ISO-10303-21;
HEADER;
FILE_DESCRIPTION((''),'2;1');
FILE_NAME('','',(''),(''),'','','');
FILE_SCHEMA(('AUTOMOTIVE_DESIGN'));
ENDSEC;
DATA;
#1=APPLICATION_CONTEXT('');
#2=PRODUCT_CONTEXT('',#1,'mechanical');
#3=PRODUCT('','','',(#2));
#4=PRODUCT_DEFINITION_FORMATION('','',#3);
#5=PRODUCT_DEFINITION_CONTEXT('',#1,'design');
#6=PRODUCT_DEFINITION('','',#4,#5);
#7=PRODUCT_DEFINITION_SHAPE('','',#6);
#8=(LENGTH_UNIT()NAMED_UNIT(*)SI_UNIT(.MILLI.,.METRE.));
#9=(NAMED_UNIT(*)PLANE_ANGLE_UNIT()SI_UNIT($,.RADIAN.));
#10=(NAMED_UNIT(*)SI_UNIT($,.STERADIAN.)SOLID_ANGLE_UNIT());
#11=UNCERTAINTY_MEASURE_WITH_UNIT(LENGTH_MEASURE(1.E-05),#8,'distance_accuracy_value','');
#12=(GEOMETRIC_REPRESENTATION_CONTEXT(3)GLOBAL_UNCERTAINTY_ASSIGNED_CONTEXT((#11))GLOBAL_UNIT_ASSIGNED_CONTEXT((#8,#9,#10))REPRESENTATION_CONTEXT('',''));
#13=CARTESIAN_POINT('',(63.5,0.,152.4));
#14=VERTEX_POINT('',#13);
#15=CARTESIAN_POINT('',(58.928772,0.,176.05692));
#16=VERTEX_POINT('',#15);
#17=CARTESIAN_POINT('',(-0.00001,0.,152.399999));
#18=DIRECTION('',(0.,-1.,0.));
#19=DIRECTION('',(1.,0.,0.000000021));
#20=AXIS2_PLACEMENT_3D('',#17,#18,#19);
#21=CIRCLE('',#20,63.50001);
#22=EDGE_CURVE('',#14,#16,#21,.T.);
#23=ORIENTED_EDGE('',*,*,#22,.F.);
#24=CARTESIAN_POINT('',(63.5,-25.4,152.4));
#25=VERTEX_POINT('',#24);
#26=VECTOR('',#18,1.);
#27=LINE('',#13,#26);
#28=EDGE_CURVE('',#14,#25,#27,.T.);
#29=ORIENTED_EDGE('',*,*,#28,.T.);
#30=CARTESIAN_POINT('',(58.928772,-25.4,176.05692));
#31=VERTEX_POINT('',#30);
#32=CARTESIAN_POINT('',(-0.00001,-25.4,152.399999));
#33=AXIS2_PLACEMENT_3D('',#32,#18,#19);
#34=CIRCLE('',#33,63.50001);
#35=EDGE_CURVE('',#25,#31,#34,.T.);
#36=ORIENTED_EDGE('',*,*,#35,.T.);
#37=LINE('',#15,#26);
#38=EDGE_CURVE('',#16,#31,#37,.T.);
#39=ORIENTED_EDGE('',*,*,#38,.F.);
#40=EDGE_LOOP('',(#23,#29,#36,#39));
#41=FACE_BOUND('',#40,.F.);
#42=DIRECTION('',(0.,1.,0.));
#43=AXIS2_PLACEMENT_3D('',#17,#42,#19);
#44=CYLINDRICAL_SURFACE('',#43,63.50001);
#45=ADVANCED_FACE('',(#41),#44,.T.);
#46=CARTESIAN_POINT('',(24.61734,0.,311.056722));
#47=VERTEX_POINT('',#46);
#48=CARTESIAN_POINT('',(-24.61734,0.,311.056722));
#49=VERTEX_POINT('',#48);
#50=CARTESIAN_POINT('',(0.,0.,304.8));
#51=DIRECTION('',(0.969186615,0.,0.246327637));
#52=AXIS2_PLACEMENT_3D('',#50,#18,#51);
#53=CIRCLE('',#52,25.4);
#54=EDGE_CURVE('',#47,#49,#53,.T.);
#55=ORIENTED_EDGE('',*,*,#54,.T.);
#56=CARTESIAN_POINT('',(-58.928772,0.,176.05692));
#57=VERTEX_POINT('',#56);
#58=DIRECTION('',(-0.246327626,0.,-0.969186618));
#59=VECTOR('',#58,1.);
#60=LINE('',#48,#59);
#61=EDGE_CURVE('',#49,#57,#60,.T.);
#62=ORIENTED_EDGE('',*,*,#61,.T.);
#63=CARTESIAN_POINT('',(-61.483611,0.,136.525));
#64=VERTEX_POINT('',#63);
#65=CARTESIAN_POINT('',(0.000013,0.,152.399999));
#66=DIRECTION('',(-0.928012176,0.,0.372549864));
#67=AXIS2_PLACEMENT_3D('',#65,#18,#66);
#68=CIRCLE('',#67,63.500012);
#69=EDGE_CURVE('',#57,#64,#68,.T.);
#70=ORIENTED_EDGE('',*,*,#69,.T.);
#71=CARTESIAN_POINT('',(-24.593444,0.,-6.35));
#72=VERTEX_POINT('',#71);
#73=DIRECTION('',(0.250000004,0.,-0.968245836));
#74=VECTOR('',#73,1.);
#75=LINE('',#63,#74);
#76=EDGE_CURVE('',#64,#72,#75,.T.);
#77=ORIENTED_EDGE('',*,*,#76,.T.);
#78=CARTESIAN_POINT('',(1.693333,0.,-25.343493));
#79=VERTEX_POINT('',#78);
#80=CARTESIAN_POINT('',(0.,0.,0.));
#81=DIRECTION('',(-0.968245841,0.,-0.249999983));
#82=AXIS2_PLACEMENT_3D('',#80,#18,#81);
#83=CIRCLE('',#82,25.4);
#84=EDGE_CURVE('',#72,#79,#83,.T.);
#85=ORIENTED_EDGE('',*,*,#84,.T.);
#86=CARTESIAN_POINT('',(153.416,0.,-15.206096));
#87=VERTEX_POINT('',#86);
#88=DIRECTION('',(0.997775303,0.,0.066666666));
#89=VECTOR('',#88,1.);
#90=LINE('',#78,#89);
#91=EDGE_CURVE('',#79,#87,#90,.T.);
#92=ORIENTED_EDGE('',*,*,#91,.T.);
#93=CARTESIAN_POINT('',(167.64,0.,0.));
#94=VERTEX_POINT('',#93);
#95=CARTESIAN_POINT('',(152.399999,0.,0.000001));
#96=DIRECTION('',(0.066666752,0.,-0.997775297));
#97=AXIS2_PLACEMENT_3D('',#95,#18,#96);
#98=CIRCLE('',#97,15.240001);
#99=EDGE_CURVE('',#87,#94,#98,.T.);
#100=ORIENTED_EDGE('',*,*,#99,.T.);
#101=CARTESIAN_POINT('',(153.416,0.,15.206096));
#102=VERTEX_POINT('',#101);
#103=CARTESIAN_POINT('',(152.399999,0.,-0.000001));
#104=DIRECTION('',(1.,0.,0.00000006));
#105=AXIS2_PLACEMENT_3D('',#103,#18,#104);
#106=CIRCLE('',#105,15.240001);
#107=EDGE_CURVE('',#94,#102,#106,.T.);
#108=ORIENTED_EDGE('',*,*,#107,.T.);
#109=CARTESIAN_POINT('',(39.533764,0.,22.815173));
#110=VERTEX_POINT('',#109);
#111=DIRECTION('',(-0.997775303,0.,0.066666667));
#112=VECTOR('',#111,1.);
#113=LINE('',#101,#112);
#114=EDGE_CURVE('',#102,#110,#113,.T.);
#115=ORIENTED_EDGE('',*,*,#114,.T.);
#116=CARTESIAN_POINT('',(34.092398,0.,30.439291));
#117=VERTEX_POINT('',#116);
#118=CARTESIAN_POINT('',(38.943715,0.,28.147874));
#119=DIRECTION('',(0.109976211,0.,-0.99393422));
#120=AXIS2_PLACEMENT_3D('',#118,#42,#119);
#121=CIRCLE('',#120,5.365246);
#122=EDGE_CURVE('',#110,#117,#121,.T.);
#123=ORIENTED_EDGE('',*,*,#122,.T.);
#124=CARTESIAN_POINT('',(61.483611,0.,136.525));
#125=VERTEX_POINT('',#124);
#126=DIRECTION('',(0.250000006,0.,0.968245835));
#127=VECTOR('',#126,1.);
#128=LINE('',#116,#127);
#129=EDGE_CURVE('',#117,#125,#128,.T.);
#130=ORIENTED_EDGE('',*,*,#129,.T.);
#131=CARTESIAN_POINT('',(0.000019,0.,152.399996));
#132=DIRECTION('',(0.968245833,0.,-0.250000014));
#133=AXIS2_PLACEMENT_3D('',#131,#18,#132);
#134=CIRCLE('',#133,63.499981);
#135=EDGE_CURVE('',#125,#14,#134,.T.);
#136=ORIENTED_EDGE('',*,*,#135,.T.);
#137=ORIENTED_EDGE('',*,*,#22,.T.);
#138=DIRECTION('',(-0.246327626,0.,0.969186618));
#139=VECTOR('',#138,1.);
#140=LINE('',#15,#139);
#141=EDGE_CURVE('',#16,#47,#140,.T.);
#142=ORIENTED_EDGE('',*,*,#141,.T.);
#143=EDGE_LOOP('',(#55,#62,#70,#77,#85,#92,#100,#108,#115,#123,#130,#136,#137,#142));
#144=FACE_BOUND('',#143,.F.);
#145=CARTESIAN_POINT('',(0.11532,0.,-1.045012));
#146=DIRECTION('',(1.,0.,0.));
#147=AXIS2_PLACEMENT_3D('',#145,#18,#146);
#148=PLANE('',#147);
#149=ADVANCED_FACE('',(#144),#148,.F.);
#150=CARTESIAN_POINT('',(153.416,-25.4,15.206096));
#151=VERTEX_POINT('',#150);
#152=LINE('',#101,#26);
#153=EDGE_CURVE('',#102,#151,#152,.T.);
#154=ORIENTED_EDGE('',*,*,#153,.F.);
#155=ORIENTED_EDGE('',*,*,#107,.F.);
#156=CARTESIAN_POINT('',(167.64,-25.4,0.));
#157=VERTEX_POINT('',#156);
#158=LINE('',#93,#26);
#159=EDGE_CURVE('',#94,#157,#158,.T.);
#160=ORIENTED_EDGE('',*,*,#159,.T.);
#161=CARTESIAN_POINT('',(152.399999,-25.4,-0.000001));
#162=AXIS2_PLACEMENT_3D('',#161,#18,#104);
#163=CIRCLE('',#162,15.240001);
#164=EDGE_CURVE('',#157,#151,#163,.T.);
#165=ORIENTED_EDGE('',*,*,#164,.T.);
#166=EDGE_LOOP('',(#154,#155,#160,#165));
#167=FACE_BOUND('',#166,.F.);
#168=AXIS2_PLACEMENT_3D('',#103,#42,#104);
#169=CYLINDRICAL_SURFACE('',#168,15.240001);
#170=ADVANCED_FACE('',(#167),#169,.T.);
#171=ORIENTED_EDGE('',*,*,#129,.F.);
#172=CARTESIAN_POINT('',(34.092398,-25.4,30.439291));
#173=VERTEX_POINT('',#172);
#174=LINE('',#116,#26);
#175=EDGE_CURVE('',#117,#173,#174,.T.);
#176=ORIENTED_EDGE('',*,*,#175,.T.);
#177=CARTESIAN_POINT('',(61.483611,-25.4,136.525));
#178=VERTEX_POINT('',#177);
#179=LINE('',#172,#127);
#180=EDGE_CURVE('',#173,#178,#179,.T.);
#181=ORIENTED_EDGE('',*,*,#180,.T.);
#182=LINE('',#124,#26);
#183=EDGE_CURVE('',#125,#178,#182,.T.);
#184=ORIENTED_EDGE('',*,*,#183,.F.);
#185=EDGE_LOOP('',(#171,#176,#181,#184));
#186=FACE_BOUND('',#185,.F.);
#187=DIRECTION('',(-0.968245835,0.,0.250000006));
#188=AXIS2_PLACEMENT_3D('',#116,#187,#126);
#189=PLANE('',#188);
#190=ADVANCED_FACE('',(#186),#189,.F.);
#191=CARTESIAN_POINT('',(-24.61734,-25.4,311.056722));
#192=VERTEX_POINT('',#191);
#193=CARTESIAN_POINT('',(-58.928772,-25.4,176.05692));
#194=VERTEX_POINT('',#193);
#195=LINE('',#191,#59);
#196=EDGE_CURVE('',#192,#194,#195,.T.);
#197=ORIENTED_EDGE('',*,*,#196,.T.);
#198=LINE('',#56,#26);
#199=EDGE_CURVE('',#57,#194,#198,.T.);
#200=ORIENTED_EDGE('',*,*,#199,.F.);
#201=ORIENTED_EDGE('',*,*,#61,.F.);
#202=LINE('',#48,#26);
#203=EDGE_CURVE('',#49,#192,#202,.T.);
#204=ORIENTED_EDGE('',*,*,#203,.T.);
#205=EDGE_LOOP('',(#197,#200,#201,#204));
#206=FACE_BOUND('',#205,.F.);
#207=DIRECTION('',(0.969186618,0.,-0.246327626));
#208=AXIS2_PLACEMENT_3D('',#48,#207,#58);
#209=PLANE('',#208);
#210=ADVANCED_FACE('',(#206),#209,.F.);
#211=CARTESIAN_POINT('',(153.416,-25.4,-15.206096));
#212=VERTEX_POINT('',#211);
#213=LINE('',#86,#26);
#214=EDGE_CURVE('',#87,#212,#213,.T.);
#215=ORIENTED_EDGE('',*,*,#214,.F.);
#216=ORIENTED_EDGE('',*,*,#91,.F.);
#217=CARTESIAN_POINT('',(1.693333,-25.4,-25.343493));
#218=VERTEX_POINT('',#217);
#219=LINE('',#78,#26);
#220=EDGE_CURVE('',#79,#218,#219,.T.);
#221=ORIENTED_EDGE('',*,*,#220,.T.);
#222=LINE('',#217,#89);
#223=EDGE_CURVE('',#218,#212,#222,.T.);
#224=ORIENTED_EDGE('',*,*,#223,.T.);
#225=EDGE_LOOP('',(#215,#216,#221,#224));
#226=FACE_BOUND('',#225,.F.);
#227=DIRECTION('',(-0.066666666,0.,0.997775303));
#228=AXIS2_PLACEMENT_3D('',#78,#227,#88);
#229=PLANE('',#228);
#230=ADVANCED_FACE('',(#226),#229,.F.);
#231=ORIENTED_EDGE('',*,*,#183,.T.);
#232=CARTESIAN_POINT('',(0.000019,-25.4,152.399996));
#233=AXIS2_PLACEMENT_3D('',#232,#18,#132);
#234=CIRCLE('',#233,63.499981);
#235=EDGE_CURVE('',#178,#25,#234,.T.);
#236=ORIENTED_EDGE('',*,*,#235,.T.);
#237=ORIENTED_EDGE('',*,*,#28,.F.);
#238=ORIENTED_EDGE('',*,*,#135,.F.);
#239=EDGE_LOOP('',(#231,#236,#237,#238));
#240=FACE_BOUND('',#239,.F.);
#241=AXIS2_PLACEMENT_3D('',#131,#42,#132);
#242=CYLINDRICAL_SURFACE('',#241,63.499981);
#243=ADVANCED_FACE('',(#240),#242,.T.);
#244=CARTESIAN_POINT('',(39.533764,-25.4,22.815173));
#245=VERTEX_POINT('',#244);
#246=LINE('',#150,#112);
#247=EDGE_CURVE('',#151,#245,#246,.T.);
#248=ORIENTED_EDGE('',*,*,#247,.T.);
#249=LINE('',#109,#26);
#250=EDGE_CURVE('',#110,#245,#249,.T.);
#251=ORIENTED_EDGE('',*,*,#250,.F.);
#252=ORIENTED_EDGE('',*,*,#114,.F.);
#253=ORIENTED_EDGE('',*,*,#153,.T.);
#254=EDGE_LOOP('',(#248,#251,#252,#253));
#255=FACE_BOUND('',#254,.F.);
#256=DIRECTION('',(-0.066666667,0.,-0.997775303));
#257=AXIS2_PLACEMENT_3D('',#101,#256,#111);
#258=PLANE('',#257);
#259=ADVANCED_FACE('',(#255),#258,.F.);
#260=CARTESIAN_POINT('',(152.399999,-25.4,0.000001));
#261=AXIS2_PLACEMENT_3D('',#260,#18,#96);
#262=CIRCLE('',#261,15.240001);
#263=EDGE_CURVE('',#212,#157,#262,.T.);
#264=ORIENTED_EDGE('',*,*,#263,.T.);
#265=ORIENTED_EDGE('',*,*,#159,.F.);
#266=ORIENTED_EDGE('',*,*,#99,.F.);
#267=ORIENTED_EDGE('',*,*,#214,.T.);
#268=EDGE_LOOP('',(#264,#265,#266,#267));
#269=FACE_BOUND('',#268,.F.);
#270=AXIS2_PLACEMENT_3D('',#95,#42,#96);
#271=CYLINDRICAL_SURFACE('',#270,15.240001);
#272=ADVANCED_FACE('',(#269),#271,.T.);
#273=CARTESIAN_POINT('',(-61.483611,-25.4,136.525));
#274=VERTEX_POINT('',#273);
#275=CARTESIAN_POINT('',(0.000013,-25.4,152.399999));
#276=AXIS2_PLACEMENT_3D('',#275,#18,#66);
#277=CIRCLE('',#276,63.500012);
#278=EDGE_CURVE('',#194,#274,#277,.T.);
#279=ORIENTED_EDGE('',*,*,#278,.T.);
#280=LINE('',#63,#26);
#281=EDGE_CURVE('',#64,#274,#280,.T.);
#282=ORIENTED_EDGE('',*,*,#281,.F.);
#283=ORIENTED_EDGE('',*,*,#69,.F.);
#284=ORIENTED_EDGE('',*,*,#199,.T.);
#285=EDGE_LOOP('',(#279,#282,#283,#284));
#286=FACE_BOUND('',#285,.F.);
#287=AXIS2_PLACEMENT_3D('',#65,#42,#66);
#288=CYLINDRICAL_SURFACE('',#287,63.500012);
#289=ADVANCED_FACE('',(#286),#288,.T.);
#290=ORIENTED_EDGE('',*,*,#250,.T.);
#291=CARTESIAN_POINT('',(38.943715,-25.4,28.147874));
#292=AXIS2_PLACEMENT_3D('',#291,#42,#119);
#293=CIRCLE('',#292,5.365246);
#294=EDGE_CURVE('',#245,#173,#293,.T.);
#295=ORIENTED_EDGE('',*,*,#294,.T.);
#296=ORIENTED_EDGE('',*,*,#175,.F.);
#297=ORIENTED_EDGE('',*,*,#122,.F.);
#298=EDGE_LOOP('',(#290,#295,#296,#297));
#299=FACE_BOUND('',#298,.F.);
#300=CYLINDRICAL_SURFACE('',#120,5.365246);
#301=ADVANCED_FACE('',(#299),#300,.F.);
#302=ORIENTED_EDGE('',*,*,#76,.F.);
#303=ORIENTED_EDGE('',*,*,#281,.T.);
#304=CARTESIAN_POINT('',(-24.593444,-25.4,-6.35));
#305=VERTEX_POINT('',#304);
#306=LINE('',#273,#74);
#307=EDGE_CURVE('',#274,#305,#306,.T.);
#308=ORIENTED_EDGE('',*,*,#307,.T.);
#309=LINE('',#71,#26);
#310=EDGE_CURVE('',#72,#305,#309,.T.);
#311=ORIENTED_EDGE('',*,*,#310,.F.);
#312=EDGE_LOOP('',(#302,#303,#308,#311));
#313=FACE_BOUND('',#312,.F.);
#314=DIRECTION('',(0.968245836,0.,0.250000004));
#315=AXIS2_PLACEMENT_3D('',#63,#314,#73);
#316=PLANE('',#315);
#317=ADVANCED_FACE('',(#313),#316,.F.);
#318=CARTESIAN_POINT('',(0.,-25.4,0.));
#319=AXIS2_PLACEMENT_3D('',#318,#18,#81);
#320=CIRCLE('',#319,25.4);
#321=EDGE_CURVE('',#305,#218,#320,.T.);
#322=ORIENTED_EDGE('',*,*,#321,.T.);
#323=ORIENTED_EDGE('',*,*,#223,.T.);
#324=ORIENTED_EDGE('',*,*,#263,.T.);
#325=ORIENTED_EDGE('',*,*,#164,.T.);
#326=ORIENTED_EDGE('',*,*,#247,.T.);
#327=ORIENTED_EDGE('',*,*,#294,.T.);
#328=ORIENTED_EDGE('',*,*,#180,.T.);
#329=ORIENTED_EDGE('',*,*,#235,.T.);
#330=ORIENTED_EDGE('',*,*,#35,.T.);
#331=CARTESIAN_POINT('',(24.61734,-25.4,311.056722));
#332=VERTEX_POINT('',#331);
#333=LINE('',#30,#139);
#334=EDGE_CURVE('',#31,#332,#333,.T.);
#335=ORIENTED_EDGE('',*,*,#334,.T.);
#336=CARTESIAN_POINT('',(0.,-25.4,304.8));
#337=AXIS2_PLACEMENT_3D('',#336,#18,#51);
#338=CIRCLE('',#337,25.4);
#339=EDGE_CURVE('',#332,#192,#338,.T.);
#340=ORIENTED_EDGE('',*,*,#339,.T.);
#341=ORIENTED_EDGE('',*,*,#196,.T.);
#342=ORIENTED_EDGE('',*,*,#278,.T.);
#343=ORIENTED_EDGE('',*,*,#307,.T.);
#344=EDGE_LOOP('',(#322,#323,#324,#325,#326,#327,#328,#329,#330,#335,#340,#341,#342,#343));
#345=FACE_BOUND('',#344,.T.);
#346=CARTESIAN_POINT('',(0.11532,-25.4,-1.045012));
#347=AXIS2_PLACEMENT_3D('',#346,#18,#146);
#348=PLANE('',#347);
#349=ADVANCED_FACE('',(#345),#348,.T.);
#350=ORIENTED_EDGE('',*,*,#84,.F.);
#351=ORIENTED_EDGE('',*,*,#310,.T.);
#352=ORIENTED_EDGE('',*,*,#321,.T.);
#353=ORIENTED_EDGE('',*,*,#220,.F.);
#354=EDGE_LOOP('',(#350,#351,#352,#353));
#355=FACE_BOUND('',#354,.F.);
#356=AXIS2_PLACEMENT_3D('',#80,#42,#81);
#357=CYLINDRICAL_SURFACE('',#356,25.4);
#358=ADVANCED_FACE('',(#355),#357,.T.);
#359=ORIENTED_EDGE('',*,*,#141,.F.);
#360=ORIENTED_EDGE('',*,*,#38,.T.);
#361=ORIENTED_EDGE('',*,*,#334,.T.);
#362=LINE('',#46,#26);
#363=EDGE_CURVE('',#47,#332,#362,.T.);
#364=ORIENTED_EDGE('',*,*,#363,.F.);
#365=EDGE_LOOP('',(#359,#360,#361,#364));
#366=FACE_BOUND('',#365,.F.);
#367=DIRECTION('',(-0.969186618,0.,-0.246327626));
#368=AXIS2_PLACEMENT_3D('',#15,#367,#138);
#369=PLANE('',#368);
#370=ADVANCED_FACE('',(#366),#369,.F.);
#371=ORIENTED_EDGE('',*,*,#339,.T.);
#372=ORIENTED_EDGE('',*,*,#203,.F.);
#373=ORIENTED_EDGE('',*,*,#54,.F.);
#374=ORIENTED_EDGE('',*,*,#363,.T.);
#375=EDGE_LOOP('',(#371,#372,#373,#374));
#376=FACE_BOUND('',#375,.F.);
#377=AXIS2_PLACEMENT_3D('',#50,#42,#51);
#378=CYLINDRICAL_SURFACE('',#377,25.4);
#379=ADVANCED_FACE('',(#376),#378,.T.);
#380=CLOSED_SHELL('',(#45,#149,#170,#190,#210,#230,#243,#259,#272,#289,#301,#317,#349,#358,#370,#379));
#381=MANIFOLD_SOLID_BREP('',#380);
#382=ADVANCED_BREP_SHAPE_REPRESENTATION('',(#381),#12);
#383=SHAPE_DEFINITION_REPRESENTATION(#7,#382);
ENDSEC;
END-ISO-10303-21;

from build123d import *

# Parameters (mm, degrees)
F1_DEPTH = 25.4


with BuildPart() as f1:
    # F0 (on Front) → F1 (new body)
    with BuildSketch(Plane.XZ):
        with BuildLine():
            ThreePointArc((1.693333, -25.343493), (18.549537, -17.351503), (25.4, 0))
            ThreePointArc((25.4, 0), (-3.200509, 25.197554), (-24.593444, -6.35))
            ThreePointArc((-24.593444, -6.35), (-14.875885, -20.588056), (1.693333, -25.343493))
        make_face()
        with BuildLine():
            ThreePointArc((-24.593444, -6.35), (-3.200509, 25.197554), (25.4, 0))
            ThreePointArc((25.4, 0), (18.549537, -17.351503), (1.693333, -25.343493))
            Line((1.693333, -25.343493), (153.416, -15.206096))
            ThreePointArc((153.416, -15.206096), (137.16, 0), (153.416, 15.206096))
            Line((153.416, 15.206096), (39.533764, 22.815173))
            ThreePointArc((39.533764, 22.815173), (34.576634, 25.03107), (34.092398, 30.439291))
            Line((34.092398, 30.439291), (61.483611, 136.525))
            ThreePointArc((61.483611, 136.525), (0, 88.9), (-61.483611, 136.525))
            Line((-61.483611, 136.525), (-24.593444, -6.35))
        make_face()
        with BuildLine():
            ThreePointArc((-58.928772, 176.05692), (-63.367804, 156.495287), (-61.483611, 136.525))
            ThreePointArc((-61.483611, 136.525), (0, 88.9), (61.483611, 136.525))
            ThreePointArc((61.483611, 136.525), (62.993886, 144.398727), (63.5, 152.4))
            ThreePointArc((63.5, 152.4), (62.34672, 164.447261), (58.928772, 176.05692))
            ThreePointArc((58.928772, 176.05692), (0, 215.9), (-58.928772, 176.05692))
        make_face()
        with BuildLine():
            ThreePointArc((153.416, 15.206096), (137.16, 0), (153.416, -15.206096))
            ThreePointArc((153.416, -15.206096), (163.529722, -10.410902), (167.64, 0))
            ThreePointArc((167.64, 0), (163.529722, 10.410902), (153.416, 15.206096))
        make_face()
        with BuildLine():
            Line((-24.61734, 311.056722), (-58.928772, 176.05692))
            ThreePointArc((-58.928772, 176.05692), (0, 215.9), (58.928772, 176.05692))
            Line((58.928772, 176.05692), (24.61734, 311.056722))
            ThreePointArc((24.61734, 311.056722), (25.203576, 307.952742), (25.4, 304.8))
            ThreePointArc((25.4, 304.8), (-3.152742, 279.596424), (-24.61734, 311.056722))
        make_face()
        with BuildLine():
            ThreePointArc((24.61734, 311.056722), (0, 330.2), (-24.61734, 311.056722))
            ThreePointArc((-24.61734, 311.056722), (-3.152742, 279.596424), (25.4, 304.8))
            ThreePointArc((25.4, 304.8), (25.203576, 307.952742), (24.61734, 311.056722))
        make_face()
    extrude(amount=F1_DEPTH)


solid = f1.part
